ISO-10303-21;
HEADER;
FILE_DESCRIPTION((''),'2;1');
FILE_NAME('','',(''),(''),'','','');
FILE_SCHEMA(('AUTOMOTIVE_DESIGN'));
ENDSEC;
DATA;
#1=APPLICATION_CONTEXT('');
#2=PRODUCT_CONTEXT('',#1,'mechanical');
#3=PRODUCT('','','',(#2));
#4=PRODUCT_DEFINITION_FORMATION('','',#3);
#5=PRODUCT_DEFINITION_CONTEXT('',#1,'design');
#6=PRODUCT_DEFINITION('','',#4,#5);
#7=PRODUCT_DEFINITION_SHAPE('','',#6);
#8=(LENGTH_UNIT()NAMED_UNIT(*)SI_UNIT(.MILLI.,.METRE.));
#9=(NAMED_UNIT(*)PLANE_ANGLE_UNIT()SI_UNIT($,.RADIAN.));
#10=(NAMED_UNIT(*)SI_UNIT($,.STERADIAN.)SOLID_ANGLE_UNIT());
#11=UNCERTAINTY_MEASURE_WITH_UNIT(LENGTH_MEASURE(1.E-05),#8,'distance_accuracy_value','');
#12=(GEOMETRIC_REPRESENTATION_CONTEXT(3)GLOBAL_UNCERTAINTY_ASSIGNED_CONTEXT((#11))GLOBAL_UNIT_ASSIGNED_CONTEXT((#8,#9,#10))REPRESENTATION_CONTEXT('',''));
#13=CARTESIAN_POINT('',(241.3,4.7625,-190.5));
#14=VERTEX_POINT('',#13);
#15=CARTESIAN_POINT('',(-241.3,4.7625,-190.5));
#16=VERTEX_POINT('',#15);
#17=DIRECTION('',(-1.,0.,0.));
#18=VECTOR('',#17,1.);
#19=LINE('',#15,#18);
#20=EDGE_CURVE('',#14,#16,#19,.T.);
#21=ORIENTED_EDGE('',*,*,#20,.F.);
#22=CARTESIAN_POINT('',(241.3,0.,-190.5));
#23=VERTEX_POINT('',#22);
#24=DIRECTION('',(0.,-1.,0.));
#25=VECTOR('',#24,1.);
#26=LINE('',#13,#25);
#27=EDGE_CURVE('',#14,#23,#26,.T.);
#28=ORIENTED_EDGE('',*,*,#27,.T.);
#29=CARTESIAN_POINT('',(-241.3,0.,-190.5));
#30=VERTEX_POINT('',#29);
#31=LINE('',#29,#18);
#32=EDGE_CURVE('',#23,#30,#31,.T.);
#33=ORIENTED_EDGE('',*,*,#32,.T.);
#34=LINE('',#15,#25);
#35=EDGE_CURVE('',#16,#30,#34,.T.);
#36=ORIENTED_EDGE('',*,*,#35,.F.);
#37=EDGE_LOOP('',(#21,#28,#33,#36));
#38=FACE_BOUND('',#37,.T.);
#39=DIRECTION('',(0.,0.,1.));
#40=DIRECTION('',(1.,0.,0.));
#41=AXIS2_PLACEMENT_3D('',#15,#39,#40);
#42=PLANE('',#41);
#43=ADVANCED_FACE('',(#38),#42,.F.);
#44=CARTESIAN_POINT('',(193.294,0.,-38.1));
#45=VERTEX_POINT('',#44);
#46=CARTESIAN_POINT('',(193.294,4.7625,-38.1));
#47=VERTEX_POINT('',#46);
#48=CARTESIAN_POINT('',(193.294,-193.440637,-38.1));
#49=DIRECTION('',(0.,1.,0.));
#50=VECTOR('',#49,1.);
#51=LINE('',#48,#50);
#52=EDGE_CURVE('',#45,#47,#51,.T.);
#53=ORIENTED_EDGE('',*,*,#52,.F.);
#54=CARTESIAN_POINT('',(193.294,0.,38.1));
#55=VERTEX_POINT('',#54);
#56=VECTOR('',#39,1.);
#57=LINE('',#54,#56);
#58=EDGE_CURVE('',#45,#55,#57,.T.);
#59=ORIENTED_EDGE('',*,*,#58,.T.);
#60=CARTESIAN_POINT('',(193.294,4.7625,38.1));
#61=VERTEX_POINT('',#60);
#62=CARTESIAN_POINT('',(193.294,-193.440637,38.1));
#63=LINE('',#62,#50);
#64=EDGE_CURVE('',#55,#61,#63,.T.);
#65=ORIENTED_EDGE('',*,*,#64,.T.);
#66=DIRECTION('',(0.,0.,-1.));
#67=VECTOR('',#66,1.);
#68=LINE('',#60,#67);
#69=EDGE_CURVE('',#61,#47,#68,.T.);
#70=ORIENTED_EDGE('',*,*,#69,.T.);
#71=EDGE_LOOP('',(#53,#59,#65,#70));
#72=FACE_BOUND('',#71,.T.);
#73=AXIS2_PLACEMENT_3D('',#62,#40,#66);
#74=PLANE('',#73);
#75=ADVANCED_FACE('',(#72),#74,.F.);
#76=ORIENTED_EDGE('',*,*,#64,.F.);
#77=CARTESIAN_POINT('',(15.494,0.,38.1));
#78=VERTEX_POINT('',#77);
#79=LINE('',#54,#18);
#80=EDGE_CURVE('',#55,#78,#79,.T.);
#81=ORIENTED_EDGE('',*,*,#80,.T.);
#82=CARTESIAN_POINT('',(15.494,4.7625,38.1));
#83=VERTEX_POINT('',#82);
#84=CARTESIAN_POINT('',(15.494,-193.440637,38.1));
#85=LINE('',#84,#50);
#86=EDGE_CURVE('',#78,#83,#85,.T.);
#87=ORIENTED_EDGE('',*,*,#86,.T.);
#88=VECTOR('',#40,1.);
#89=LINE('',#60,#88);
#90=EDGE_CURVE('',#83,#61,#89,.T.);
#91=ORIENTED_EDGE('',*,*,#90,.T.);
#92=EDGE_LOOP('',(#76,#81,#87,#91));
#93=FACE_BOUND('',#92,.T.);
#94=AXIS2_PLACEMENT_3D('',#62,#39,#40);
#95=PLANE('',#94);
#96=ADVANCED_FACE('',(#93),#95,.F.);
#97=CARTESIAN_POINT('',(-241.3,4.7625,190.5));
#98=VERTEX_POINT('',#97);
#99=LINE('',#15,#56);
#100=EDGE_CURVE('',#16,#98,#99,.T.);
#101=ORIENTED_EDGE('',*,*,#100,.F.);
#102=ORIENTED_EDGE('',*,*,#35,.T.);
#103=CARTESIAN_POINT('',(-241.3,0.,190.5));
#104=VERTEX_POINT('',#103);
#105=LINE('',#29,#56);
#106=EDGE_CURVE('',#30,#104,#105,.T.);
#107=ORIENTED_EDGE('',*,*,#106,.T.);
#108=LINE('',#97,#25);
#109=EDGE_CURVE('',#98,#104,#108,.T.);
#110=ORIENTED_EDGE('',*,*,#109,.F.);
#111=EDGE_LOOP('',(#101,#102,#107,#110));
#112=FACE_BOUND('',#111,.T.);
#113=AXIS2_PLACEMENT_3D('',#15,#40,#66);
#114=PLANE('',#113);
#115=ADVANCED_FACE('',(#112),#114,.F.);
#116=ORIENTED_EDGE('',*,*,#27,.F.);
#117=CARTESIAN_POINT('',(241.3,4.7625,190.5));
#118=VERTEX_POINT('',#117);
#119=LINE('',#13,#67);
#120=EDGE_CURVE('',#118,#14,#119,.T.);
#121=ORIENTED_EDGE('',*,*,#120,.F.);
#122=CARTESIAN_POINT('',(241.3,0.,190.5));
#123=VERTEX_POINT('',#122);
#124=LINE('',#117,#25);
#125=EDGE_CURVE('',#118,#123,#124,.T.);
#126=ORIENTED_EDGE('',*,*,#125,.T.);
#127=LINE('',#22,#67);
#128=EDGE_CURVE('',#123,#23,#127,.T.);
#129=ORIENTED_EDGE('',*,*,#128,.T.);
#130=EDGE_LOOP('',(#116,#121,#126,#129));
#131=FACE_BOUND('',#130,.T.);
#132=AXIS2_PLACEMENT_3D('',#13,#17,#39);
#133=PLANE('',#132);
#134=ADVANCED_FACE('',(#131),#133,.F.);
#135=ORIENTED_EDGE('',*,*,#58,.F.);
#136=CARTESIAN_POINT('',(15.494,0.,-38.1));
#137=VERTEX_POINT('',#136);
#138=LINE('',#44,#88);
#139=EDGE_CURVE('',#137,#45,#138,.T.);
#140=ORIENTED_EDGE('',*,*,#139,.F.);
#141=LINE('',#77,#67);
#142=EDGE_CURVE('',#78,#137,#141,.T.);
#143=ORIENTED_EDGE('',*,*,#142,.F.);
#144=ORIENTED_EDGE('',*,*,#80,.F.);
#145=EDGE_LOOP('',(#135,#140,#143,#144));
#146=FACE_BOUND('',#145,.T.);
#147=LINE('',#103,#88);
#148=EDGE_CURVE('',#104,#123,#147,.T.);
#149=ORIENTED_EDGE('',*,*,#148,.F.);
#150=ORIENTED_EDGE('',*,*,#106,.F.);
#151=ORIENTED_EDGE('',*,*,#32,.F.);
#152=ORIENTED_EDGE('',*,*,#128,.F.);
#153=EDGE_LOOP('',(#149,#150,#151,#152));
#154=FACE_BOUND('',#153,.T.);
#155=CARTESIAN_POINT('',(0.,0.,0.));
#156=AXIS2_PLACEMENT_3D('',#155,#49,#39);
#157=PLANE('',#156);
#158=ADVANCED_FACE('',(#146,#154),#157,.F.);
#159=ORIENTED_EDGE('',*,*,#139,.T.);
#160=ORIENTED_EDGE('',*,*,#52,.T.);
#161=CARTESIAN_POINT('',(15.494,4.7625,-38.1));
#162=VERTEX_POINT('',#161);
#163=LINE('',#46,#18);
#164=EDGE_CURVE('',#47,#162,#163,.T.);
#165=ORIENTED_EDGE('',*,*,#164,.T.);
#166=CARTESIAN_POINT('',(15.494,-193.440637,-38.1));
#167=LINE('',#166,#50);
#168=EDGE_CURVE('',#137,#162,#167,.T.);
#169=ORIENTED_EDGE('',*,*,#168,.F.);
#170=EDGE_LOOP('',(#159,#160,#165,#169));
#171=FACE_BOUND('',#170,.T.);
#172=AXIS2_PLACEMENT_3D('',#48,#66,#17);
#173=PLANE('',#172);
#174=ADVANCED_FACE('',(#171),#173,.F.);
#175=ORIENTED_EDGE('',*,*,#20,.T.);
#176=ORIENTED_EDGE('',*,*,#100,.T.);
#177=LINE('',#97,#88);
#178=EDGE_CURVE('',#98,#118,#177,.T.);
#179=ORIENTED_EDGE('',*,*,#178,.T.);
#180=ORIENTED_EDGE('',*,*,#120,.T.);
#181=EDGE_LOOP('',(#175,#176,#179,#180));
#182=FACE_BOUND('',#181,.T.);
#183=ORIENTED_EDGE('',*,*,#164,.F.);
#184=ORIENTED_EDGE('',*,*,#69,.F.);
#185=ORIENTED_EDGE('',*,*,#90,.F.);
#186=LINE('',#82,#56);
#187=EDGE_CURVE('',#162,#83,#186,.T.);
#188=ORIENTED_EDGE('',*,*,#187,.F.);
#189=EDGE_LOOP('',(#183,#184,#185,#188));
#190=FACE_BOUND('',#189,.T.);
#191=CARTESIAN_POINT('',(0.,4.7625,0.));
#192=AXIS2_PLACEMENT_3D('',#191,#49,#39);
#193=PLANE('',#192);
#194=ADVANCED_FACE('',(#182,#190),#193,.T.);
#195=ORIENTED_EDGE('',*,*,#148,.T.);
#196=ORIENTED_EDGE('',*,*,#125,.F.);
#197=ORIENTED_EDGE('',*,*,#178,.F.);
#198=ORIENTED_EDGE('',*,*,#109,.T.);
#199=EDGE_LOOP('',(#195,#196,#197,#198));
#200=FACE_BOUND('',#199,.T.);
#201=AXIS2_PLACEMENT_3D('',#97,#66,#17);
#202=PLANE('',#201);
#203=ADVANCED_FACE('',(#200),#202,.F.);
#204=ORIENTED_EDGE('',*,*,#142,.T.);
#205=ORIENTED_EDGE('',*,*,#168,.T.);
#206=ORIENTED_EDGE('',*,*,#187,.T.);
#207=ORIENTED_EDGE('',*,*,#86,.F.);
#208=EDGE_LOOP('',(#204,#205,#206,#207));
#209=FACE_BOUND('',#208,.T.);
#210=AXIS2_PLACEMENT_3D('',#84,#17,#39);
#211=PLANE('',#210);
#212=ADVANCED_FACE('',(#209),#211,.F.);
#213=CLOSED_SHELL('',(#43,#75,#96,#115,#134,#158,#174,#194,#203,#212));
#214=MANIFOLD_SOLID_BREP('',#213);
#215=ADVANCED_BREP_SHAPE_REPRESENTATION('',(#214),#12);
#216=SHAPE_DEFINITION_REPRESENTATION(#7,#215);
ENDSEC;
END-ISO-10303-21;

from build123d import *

# Parameters (mm, degrees)
SKETCH1_W           = 482.6
SKETCH1_H           = 381
BOSS_EXTRUDE1_DEPTH = 4.7625
SKETCH3_W           = 177.8
SKETCH3_H           = 76.2
CUT_EXTRUDE1_DEPTH  = 4.7625


with BuildPart() as part:
    # Sketch1 → Boss-Extrude1 (new body)
    with BuildSketch(Plane(origin=(0, 0, 0), x_dir=(1, 0, 0), z_dir=(0, 1, 0))):
        Rectangle(SKETCH1_W, SKETCH1_H)
    extrude(amount=BOSS_EXTRUDE1_DEPTH)

    # Sketch3 → Cut-Extrude1 (cut)
    with BuildSketch(Plane(origin=(0, 4.7625, 0), x_dir=(1, 0, 0), z_dir=(0, 1, 0))):
        with Locations((104.394, 0)):
            Rectangle(SKETCH3_W, SKETCH3_H)
    extrude(amount=-CUT_EXTRUDE1_DEPTH, mode=Mode.SUBTRACT)


solid = part.part
